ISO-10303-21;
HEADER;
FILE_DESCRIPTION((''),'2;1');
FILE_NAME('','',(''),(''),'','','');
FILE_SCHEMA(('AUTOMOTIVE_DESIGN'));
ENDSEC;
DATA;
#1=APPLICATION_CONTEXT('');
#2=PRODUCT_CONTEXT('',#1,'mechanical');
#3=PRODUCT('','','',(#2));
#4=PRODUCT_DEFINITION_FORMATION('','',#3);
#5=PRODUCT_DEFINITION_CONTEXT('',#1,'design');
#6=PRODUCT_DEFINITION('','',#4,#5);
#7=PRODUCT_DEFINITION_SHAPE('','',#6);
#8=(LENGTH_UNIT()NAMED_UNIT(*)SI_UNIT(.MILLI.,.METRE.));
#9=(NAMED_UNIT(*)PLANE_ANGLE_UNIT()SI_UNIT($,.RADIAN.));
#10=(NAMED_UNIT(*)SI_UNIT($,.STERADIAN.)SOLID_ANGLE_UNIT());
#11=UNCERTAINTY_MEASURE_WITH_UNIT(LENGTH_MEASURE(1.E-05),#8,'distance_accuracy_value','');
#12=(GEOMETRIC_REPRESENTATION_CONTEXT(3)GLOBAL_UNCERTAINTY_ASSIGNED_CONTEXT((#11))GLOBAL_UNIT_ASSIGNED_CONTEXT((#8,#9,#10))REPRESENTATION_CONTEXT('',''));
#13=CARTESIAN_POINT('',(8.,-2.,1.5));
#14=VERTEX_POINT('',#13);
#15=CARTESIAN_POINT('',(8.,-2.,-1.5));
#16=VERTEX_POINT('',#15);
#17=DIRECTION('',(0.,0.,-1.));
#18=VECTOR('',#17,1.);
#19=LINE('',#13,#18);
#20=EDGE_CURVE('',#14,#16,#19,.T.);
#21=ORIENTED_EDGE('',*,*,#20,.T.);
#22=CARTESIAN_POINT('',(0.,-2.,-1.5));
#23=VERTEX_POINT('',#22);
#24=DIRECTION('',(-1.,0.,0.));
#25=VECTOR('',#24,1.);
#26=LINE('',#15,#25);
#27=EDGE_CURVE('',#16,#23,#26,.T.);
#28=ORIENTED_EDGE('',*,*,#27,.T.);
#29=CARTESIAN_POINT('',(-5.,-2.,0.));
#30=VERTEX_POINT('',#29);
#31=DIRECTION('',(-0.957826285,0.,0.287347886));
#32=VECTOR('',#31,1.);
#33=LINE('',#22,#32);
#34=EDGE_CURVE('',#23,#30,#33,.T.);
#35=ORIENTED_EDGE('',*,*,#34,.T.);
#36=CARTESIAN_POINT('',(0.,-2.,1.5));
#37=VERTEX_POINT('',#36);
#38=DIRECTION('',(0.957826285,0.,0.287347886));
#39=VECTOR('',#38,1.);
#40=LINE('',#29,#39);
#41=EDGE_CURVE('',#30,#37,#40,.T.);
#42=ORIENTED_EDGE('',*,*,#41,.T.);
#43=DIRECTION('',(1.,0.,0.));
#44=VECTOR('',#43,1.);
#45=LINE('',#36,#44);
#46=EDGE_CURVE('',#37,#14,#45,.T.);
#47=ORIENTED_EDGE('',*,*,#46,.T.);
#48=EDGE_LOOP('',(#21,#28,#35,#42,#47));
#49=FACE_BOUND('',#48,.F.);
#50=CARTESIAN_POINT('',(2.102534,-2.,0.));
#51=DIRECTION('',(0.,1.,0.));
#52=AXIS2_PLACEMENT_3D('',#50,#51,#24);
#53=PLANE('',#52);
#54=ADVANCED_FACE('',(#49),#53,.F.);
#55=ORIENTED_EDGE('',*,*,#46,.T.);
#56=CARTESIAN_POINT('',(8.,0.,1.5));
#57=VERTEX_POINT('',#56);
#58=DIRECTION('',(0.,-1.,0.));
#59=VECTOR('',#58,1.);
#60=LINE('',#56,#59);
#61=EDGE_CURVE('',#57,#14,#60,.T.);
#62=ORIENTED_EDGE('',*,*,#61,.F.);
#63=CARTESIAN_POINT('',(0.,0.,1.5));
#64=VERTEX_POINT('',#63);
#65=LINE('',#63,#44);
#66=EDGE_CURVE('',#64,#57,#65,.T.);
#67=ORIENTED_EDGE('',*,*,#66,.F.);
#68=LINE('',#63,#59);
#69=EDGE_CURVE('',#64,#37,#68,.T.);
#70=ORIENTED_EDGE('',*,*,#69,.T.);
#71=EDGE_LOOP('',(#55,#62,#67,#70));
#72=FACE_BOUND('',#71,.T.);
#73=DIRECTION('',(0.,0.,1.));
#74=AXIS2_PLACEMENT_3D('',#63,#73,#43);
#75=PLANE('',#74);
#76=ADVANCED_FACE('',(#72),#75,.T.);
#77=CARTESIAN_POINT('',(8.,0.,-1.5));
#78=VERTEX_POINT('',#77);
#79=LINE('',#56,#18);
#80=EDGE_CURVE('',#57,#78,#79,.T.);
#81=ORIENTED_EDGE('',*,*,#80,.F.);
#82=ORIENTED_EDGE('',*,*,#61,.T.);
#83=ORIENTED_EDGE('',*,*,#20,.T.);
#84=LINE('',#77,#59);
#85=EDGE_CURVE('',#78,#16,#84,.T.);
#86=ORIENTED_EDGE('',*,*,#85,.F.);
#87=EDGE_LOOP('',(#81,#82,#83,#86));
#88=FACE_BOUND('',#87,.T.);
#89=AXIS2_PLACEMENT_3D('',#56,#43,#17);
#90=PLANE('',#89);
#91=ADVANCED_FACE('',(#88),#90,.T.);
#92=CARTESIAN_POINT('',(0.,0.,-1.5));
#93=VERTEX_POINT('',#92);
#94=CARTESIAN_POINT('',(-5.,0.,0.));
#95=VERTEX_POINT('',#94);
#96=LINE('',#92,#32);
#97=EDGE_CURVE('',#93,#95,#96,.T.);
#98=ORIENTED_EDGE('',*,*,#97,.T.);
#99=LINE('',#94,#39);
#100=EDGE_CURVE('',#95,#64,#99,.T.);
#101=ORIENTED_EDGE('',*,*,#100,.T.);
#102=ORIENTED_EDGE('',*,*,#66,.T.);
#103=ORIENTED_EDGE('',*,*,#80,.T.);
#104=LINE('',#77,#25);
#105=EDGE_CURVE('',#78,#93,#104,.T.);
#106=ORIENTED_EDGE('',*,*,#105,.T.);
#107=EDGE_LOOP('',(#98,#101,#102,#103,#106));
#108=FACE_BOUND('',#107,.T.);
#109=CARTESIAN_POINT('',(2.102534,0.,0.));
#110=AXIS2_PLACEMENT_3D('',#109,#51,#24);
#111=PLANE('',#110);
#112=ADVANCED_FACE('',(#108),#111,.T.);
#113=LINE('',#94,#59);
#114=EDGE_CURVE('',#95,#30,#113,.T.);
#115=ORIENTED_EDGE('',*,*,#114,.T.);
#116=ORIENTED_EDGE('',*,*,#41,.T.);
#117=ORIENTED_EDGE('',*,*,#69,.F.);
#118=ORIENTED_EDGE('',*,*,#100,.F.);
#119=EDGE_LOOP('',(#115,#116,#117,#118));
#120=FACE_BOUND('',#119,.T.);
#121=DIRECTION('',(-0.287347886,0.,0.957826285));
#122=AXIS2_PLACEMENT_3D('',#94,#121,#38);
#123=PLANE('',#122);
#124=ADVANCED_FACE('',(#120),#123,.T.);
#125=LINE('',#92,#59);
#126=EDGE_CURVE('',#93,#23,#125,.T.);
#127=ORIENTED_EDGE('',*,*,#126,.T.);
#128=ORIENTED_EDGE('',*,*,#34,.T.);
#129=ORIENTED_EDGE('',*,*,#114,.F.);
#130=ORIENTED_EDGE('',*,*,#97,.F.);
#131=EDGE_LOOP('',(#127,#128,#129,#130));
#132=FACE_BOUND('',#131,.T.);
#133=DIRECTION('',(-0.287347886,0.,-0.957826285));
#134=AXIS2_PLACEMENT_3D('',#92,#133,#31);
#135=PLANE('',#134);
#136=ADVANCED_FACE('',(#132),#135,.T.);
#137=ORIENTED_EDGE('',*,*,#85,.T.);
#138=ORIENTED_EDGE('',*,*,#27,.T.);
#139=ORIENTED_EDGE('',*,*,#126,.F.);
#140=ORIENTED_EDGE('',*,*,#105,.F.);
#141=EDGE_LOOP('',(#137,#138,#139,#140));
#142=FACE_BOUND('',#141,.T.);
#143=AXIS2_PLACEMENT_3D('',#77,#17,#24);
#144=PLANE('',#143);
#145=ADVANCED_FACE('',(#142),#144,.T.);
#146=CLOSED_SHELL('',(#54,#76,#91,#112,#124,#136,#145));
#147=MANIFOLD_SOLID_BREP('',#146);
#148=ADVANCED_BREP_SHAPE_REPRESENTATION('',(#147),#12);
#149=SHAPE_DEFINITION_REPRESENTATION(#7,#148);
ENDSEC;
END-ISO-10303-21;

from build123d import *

# Parameters (mm, degrees)
PAD_DEPTH = 2


with BuildPart() as part:
    # Sketch → Pad (new body)
    with BuildSketch(Plane.XZ):
        Polygon((0, 1.5), (8, 1.5), (8, -1.5), (0, -1.5), (-5, 0), align=None)
    extrude(amount=PAD_DEPTH)


solid = part.part
